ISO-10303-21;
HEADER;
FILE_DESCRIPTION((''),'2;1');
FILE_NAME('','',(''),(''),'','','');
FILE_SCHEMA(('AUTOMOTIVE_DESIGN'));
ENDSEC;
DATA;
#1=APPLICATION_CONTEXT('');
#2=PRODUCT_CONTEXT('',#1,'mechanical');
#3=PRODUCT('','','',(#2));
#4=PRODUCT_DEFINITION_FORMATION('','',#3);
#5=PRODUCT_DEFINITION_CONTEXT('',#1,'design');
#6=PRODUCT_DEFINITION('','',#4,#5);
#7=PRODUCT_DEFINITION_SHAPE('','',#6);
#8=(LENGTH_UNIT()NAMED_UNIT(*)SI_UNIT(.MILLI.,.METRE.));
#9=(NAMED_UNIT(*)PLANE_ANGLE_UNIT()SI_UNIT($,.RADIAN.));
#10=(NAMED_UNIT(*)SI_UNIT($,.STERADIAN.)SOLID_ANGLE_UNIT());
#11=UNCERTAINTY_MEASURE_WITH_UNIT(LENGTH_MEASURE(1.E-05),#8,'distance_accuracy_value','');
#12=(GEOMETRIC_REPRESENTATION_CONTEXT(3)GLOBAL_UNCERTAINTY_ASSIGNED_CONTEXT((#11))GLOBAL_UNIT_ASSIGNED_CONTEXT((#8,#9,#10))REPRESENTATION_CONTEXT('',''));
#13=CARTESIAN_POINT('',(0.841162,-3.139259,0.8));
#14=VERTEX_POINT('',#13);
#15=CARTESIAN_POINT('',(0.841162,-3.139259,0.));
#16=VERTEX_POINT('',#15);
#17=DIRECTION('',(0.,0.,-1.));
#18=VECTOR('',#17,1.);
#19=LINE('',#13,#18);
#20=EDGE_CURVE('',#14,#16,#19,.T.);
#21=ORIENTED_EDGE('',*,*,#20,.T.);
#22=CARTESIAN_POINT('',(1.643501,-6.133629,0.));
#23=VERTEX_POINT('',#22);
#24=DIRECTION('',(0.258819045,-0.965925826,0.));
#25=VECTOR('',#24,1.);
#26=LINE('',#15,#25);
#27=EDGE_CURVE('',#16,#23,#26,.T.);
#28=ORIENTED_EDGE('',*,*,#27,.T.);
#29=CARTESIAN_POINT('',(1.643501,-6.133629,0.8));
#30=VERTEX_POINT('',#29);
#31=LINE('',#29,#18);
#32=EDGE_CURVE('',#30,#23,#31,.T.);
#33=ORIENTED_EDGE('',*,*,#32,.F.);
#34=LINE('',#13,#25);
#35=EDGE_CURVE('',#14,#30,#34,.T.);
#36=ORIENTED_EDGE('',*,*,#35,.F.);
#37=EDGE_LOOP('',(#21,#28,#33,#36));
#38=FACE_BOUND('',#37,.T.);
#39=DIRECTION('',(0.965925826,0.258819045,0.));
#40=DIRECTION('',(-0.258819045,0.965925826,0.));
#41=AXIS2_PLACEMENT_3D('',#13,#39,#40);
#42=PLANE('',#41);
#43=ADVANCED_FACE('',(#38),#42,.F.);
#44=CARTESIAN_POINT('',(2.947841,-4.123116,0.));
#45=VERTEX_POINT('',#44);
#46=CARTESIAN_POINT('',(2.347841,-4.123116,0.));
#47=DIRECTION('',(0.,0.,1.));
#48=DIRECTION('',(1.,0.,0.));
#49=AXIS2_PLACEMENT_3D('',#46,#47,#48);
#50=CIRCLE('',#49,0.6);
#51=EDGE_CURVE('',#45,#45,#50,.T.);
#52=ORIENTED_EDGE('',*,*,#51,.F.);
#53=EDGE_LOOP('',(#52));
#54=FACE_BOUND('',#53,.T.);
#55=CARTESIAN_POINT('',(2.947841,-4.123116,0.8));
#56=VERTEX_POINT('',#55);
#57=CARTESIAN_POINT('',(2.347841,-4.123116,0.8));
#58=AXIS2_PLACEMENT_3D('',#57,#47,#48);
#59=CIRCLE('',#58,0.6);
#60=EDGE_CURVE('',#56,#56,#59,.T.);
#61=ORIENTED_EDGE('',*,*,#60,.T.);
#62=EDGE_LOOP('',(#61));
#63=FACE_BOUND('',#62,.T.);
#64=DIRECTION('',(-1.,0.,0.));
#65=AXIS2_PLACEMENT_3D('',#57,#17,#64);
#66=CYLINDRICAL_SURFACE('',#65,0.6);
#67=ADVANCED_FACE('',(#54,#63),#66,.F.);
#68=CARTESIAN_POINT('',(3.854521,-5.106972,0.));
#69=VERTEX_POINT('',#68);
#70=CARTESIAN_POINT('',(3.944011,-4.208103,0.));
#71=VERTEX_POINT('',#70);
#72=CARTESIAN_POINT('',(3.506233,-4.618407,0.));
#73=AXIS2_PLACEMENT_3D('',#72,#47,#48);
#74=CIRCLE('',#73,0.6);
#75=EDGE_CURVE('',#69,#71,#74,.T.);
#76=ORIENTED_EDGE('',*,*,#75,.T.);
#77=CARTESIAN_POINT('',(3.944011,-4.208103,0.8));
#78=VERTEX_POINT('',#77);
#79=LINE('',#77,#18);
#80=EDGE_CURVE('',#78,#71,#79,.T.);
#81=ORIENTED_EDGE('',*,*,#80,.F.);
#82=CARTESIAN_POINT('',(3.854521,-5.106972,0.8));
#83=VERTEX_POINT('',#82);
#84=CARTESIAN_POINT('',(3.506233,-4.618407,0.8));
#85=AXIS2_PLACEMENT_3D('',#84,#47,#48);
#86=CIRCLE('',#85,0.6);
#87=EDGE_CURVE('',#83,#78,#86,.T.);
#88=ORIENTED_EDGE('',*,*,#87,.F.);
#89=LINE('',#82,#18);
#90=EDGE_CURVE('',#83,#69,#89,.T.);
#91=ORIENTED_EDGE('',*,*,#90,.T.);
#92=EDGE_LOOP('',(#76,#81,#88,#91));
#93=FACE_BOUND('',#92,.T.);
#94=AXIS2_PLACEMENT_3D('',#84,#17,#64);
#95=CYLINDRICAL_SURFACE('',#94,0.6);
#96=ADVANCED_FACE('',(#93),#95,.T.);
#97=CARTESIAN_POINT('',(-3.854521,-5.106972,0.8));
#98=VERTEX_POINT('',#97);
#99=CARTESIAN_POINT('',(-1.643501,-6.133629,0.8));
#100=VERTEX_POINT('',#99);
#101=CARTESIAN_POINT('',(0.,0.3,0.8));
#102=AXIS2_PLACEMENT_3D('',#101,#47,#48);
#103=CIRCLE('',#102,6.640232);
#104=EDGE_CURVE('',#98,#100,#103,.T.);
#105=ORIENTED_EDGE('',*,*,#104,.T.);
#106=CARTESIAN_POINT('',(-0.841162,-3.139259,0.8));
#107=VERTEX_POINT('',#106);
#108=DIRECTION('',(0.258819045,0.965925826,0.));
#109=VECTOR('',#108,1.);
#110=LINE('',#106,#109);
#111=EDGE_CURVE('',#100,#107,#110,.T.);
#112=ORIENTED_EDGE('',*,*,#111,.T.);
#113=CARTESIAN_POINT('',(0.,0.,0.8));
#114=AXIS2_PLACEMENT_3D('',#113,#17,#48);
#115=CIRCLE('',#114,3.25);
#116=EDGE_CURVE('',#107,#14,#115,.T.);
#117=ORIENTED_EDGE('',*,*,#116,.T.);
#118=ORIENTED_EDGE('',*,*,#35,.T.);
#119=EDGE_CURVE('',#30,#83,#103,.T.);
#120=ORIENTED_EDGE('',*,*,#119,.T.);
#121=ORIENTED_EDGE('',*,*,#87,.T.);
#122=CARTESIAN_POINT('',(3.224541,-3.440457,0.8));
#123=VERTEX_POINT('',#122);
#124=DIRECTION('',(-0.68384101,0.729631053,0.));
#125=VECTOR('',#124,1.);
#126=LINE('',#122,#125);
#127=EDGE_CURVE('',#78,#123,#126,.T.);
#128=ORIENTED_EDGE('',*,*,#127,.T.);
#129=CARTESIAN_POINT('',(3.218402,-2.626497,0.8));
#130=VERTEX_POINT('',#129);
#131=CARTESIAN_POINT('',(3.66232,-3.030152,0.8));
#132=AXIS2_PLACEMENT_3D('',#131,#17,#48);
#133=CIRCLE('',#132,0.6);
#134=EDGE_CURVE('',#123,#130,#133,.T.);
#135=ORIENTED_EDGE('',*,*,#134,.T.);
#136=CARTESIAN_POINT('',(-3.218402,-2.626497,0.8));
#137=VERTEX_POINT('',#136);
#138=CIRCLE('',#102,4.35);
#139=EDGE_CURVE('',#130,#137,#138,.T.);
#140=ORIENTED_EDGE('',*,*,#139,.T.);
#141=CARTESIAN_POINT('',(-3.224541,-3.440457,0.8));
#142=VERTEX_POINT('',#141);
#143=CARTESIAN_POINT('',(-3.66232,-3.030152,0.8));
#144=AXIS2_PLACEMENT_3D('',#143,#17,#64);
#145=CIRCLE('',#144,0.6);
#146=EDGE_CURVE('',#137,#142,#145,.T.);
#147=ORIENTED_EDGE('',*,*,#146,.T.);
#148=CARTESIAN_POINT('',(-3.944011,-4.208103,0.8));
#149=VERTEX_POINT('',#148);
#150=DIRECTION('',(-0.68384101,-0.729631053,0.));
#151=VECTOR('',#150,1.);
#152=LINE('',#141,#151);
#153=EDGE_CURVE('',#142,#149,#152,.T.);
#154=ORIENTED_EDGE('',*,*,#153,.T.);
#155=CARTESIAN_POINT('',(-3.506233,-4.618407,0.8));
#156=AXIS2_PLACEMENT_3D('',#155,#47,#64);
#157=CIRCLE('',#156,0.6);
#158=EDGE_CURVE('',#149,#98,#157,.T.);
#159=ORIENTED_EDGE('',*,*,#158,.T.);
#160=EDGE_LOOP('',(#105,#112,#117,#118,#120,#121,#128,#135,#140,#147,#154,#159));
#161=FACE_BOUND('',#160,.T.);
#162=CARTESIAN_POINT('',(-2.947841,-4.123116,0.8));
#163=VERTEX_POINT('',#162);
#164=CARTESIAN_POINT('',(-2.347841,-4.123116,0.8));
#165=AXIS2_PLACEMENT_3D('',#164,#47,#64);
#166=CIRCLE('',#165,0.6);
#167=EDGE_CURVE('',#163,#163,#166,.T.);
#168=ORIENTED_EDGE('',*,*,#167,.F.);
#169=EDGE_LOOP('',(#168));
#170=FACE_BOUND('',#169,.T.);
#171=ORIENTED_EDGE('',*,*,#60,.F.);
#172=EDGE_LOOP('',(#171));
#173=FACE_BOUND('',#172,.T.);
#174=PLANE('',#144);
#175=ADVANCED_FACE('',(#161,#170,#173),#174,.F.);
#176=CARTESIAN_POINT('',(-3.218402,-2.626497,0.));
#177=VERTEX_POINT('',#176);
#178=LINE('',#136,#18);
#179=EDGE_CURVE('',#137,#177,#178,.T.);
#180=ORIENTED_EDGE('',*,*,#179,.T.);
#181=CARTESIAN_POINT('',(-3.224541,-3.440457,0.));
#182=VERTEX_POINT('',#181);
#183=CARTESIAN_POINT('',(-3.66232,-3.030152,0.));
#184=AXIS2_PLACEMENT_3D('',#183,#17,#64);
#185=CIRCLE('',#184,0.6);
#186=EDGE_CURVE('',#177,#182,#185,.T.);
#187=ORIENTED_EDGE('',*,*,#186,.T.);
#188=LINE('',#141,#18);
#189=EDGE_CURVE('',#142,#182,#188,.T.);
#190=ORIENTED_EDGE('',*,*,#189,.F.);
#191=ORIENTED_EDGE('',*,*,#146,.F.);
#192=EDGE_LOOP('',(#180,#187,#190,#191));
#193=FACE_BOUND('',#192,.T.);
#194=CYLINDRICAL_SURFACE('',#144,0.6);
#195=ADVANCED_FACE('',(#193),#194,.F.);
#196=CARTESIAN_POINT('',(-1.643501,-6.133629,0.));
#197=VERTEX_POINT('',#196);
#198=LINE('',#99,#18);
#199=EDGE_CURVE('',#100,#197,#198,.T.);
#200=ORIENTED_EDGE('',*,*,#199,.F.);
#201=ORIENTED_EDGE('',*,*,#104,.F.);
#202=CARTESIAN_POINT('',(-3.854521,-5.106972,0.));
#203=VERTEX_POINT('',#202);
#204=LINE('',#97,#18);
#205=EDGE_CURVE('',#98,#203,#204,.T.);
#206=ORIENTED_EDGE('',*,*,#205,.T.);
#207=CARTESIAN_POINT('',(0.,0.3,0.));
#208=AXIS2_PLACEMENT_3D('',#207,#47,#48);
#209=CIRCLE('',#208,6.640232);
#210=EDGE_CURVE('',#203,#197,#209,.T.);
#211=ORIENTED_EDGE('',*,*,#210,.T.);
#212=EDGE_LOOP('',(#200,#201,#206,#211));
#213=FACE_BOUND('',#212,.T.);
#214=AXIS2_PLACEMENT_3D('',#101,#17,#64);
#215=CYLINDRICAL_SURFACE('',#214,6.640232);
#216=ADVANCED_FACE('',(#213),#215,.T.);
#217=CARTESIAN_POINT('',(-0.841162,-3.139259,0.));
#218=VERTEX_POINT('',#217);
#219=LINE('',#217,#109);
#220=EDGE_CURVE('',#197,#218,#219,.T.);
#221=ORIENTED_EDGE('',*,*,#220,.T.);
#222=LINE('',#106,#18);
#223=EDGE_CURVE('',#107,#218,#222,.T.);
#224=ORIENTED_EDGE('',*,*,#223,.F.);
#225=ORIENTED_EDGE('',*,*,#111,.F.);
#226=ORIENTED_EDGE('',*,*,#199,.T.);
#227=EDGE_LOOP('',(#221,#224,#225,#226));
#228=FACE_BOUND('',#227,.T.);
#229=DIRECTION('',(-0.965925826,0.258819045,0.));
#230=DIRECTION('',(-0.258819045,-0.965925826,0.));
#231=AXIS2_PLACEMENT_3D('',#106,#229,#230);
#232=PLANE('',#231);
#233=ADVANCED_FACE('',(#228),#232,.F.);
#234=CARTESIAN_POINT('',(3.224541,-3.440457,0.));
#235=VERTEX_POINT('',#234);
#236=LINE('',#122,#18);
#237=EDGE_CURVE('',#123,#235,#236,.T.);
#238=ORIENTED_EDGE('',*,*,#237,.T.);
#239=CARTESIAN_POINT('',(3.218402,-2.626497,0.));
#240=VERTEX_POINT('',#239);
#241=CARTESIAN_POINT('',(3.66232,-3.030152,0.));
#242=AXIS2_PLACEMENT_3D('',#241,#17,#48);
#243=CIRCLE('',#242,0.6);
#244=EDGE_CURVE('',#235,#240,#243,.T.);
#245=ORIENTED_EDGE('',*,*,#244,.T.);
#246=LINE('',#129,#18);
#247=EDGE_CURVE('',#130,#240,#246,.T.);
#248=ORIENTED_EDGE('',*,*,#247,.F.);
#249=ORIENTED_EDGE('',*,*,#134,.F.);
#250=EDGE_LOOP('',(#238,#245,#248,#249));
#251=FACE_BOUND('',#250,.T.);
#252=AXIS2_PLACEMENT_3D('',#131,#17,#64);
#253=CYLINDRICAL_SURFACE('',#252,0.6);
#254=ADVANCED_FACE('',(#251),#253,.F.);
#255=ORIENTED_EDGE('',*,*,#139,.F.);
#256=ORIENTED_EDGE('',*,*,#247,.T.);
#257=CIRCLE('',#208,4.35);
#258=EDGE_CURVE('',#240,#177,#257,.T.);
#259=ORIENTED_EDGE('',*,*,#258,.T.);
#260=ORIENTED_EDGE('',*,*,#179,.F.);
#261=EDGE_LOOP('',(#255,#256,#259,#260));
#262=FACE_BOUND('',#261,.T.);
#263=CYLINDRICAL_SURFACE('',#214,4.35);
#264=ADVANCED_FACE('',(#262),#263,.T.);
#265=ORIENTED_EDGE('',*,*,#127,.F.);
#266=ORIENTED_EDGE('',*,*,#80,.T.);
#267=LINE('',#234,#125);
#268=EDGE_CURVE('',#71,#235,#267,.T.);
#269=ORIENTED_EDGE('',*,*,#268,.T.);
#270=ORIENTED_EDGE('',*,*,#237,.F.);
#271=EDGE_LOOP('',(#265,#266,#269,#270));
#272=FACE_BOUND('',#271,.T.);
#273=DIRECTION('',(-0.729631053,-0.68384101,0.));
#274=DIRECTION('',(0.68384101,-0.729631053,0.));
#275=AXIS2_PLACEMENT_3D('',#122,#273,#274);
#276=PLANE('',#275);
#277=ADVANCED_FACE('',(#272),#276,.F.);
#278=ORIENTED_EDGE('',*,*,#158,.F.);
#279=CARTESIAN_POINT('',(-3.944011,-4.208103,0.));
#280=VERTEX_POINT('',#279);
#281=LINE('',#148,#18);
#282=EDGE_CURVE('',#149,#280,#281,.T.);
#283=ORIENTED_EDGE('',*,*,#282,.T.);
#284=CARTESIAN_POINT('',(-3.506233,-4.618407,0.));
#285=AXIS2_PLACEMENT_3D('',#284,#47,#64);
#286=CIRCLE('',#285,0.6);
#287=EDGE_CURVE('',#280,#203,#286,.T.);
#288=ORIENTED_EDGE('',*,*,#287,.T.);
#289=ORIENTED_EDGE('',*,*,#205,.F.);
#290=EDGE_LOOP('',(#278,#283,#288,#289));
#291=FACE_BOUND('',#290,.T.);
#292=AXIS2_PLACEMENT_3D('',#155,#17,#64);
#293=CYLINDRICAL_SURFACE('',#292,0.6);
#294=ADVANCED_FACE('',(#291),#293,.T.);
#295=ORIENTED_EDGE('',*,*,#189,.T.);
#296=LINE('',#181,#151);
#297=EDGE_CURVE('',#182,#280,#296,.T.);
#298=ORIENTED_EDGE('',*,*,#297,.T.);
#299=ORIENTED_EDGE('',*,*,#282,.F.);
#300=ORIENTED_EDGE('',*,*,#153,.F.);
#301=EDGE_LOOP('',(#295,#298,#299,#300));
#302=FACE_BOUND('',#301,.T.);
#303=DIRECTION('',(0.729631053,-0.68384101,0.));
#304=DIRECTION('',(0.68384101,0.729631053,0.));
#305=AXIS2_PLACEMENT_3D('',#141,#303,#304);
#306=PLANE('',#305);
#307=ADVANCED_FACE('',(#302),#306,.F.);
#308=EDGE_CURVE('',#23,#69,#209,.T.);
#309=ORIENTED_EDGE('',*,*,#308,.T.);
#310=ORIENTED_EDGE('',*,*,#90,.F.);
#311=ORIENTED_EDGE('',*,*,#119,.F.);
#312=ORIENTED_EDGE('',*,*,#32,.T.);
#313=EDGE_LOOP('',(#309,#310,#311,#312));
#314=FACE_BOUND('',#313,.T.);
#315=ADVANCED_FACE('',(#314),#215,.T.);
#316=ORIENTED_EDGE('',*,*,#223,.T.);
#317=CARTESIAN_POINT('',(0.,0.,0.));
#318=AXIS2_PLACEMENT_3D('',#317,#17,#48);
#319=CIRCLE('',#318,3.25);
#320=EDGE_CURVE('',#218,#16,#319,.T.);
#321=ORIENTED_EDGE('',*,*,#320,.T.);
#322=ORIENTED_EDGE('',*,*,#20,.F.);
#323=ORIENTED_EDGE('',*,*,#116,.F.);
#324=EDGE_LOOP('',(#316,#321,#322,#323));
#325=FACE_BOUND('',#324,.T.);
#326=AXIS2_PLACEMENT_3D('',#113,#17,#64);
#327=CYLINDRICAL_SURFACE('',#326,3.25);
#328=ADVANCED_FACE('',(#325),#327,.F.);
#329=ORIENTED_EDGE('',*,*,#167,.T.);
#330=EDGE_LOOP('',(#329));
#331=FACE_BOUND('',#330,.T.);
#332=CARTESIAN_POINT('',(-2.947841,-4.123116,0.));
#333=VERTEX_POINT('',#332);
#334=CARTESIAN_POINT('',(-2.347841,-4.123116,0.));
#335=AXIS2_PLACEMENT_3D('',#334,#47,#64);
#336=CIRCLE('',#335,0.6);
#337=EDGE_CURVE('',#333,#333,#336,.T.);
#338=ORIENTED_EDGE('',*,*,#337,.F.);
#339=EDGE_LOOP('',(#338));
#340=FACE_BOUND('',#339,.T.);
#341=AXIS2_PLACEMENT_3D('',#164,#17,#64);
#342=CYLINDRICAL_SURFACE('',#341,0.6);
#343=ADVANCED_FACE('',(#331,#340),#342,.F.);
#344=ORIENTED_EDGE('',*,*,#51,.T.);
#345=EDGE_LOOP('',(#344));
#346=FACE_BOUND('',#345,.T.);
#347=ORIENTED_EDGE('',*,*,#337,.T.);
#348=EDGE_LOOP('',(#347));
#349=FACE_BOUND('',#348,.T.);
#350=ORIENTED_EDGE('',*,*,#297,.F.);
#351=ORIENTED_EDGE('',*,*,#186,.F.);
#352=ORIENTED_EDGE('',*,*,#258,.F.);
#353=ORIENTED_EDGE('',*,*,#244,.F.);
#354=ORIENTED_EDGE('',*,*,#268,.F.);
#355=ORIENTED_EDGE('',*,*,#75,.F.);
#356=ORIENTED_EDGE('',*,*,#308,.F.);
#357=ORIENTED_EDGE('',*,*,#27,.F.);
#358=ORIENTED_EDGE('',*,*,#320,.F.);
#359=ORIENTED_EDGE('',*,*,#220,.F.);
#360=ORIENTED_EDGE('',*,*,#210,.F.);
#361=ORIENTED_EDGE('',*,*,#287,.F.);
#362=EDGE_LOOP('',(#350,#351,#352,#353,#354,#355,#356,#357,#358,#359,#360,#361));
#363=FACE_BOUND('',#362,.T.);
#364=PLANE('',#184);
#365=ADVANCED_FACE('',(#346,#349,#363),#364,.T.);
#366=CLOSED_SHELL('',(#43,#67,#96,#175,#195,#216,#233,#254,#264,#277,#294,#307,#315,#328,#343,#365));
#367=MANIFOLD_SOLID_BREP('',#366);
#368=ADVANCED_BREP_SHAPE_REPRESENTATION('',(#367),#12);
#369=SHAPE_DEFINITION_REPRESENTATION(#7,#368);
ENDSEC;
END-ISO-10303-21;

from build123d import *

# Parameters (mm, degrees)
ESQUISSE1_R          = 0.6
BASE_EXTRUSION_DEPTH = 0.8


with BuildPart() as part:
    # Esquisse1 → Base-Extrusion (new body)
    with BuildSketch(Plane.XY):
        with BuildLine():
            Line((3.22454123, -3.44045674), (3.944011448, -4.208102734))
            ThreePointArc((3.944011448, -4.208102734), (4.10328113, -4.677848996), (3.854520727, -5.106972107))
            ThreePointArc((3.854520727, -5.106972107), (2.796527605, -5.722633208), (1.643500936, -6.133628997))
            Line((1.643500936, -6.133628997), (0.841161897, -3.139258935))
            ThreePointArc((0.841161897, -3.139258935), (0, 3.25), (-0.841161897, -3.139258935))
            Line((-0.841161897, -3.139258935), (-1.643500936, -6.133628997))
            ThreePointArc((-1.643500936, -6.133628997), (-2.796527605, -5.722633208), (-3.854520727, -5.106972107))
            ThreePointArc((-3.854520727, -5.106972107), (-4.10328113, -4.677848996), (-3.944011448, -4.208102734))
            Line((-3.944011448, -4.208102734), (-3.22454123, -3.44045674))
            ThreePointArc((-3.22454123, -3.44045674), (-3.062336925, -3.034677238), (-3.218402302, -2.62649733))
            ThreePointArc((-3.218402302, -2.62649733), (0, 4.65), (3.218402302, -2.62649733))
            ThreePointArc((3.218402302, -2.62649733), (3.062336925, -3.034677238), (3.22454123, -3.44045674))
        make_face()
        with Locations((2.347841312, -4.123115521)):
            Circle(ESQUISSE1_R, mode=Mode.SUBTRACT)
        with Locations(Location((-2.347841312, -4.123115521, 0), (0, 0, 180))):
            Circle(ESQUISSE1_R, mode=Mode.SUBTRACT)
    extrude(amount=BASE_EXTRUSION_DEPTH)


solid = part.part
